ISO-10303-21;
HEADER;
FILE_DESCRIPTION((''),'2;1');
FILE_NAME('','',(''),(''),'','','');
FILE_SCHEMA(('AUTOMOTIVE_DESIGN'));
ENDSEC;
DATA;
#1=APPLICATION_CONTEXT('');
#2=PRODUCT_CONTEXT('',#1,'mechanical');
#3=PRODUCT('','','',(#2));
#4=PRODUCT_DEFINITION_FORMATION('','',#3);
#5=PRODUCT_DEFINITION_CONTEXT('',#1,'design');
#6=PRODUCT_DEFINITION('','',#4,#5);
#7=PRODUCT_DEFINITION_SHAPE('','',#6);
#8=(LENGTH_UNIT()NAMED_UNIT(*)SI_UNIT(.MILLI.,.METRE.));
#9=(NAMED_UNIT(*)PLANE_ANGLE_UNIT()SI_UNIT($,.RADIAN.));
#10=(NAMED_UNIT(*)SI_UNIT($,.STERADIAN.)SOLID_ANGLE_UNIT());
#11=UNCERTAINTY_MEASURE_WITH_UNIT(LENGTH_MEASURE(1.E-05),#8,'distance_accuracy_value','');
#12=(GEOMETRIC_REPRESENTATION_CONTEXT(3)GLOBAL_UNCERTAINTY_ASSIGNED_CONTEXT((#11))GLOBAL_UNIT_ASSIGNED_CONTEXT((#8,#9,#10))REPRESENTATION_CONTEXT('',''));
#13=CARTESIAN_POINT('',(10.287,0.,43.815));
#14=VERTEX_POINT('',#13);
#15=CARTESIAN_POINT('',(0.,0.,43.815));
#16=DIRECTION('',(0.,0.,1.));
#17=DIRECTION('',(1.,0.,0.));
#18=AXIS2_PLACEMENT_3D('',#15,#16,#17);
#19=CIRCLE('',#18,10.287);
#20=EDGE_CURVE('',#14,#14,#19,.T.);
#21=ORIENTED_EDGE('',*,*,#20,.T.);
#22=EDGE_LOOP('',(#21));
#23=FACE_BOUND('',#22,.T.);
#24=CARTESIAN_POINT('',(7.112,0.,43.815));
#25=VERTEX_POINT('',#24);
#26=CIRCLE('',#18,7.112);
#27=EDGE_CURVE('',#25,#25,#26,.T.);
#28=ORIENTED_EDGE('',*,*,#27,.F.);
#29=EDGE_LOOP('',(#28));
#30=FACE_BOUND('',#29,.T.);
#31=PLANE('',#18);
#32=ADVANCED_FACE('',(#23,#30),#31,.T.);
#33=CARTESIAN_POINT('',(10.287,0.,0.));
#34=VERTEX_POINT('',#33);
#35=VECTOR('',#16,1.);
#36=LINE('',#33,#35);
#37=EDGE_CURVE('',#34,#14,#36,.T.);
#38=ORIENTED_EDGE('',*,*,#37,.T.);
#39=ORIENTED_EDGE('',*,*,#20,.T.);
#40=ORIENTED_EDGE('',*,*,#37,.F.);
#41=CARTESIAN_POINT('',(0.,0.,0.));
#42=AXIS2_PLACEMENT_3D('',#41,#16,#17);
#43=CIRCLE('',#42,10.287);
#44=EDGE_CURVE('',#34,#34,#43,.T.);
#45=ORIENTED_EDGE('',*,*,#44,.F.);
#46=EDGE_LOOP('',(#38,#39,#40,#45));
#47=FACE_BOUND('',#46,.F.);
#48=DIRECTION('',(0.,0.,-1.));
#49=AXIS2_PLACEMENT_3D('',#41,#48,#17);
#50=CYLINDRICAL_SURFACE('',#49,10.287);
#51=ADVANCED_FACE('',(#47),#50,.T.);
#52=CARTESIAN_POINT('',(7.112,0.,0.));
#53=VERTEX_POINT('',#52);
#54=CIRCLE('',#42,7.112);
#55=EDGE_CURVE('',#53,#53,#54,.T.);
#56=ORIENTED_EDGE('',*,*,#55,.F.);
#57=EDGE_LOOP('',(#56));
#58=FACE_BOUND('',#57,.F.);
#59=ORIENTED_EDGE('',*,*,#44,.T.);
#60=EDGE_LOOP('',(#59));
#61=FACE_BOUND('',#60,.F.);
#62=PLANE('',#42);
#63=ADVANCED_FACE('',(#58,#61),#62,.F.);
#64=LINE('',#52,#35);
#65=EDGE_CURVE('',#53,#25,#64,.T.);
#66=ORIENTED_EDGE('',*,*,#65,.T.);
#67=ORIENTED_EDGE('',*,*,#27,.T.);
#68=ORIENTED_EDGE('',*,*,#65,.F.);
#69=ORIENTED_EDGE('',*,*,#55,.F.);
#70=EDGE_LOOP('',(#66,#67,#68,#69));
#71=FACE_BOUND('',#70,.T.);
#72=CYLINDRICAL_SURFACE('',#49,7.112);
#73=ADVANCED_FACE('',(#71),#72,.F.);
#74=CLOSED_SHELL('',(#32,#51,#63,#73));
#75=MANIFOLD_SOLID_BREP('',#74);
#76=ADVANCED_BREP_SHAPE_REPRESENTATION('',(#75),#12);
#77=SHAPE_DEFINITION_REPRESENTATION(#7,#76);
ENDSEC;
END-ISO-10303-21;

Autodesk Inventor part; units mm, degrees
ref_plane "YZ Plane" through (0, 0, 0) normal (1, 0, 0) x (0, 1, 0)
ref_plane "XZ Plane" through (0, 0, 0) normal (0, 1, 0) x (-1, 0, 0)
ref_plane "XY Plane" through (0, 0, 0) normal (0, 0, 1) x (1, 0, 0)
sketch "Sketch1" plane through (0, 0, 0) normal (0, 0, 1) x (1, 0, 0)
  circle A0 centre (0, 0) radius 7.112
  circle A1 centre (0, 0) radius 10.287
  dimension "d0" = 14.224
  dimension "d1" = 3.175
extrude "Extrusion1" add sketch "Sketch1" along normal blind 43.815
properties part number "GP-SP-007" material "ABS Plastic"
